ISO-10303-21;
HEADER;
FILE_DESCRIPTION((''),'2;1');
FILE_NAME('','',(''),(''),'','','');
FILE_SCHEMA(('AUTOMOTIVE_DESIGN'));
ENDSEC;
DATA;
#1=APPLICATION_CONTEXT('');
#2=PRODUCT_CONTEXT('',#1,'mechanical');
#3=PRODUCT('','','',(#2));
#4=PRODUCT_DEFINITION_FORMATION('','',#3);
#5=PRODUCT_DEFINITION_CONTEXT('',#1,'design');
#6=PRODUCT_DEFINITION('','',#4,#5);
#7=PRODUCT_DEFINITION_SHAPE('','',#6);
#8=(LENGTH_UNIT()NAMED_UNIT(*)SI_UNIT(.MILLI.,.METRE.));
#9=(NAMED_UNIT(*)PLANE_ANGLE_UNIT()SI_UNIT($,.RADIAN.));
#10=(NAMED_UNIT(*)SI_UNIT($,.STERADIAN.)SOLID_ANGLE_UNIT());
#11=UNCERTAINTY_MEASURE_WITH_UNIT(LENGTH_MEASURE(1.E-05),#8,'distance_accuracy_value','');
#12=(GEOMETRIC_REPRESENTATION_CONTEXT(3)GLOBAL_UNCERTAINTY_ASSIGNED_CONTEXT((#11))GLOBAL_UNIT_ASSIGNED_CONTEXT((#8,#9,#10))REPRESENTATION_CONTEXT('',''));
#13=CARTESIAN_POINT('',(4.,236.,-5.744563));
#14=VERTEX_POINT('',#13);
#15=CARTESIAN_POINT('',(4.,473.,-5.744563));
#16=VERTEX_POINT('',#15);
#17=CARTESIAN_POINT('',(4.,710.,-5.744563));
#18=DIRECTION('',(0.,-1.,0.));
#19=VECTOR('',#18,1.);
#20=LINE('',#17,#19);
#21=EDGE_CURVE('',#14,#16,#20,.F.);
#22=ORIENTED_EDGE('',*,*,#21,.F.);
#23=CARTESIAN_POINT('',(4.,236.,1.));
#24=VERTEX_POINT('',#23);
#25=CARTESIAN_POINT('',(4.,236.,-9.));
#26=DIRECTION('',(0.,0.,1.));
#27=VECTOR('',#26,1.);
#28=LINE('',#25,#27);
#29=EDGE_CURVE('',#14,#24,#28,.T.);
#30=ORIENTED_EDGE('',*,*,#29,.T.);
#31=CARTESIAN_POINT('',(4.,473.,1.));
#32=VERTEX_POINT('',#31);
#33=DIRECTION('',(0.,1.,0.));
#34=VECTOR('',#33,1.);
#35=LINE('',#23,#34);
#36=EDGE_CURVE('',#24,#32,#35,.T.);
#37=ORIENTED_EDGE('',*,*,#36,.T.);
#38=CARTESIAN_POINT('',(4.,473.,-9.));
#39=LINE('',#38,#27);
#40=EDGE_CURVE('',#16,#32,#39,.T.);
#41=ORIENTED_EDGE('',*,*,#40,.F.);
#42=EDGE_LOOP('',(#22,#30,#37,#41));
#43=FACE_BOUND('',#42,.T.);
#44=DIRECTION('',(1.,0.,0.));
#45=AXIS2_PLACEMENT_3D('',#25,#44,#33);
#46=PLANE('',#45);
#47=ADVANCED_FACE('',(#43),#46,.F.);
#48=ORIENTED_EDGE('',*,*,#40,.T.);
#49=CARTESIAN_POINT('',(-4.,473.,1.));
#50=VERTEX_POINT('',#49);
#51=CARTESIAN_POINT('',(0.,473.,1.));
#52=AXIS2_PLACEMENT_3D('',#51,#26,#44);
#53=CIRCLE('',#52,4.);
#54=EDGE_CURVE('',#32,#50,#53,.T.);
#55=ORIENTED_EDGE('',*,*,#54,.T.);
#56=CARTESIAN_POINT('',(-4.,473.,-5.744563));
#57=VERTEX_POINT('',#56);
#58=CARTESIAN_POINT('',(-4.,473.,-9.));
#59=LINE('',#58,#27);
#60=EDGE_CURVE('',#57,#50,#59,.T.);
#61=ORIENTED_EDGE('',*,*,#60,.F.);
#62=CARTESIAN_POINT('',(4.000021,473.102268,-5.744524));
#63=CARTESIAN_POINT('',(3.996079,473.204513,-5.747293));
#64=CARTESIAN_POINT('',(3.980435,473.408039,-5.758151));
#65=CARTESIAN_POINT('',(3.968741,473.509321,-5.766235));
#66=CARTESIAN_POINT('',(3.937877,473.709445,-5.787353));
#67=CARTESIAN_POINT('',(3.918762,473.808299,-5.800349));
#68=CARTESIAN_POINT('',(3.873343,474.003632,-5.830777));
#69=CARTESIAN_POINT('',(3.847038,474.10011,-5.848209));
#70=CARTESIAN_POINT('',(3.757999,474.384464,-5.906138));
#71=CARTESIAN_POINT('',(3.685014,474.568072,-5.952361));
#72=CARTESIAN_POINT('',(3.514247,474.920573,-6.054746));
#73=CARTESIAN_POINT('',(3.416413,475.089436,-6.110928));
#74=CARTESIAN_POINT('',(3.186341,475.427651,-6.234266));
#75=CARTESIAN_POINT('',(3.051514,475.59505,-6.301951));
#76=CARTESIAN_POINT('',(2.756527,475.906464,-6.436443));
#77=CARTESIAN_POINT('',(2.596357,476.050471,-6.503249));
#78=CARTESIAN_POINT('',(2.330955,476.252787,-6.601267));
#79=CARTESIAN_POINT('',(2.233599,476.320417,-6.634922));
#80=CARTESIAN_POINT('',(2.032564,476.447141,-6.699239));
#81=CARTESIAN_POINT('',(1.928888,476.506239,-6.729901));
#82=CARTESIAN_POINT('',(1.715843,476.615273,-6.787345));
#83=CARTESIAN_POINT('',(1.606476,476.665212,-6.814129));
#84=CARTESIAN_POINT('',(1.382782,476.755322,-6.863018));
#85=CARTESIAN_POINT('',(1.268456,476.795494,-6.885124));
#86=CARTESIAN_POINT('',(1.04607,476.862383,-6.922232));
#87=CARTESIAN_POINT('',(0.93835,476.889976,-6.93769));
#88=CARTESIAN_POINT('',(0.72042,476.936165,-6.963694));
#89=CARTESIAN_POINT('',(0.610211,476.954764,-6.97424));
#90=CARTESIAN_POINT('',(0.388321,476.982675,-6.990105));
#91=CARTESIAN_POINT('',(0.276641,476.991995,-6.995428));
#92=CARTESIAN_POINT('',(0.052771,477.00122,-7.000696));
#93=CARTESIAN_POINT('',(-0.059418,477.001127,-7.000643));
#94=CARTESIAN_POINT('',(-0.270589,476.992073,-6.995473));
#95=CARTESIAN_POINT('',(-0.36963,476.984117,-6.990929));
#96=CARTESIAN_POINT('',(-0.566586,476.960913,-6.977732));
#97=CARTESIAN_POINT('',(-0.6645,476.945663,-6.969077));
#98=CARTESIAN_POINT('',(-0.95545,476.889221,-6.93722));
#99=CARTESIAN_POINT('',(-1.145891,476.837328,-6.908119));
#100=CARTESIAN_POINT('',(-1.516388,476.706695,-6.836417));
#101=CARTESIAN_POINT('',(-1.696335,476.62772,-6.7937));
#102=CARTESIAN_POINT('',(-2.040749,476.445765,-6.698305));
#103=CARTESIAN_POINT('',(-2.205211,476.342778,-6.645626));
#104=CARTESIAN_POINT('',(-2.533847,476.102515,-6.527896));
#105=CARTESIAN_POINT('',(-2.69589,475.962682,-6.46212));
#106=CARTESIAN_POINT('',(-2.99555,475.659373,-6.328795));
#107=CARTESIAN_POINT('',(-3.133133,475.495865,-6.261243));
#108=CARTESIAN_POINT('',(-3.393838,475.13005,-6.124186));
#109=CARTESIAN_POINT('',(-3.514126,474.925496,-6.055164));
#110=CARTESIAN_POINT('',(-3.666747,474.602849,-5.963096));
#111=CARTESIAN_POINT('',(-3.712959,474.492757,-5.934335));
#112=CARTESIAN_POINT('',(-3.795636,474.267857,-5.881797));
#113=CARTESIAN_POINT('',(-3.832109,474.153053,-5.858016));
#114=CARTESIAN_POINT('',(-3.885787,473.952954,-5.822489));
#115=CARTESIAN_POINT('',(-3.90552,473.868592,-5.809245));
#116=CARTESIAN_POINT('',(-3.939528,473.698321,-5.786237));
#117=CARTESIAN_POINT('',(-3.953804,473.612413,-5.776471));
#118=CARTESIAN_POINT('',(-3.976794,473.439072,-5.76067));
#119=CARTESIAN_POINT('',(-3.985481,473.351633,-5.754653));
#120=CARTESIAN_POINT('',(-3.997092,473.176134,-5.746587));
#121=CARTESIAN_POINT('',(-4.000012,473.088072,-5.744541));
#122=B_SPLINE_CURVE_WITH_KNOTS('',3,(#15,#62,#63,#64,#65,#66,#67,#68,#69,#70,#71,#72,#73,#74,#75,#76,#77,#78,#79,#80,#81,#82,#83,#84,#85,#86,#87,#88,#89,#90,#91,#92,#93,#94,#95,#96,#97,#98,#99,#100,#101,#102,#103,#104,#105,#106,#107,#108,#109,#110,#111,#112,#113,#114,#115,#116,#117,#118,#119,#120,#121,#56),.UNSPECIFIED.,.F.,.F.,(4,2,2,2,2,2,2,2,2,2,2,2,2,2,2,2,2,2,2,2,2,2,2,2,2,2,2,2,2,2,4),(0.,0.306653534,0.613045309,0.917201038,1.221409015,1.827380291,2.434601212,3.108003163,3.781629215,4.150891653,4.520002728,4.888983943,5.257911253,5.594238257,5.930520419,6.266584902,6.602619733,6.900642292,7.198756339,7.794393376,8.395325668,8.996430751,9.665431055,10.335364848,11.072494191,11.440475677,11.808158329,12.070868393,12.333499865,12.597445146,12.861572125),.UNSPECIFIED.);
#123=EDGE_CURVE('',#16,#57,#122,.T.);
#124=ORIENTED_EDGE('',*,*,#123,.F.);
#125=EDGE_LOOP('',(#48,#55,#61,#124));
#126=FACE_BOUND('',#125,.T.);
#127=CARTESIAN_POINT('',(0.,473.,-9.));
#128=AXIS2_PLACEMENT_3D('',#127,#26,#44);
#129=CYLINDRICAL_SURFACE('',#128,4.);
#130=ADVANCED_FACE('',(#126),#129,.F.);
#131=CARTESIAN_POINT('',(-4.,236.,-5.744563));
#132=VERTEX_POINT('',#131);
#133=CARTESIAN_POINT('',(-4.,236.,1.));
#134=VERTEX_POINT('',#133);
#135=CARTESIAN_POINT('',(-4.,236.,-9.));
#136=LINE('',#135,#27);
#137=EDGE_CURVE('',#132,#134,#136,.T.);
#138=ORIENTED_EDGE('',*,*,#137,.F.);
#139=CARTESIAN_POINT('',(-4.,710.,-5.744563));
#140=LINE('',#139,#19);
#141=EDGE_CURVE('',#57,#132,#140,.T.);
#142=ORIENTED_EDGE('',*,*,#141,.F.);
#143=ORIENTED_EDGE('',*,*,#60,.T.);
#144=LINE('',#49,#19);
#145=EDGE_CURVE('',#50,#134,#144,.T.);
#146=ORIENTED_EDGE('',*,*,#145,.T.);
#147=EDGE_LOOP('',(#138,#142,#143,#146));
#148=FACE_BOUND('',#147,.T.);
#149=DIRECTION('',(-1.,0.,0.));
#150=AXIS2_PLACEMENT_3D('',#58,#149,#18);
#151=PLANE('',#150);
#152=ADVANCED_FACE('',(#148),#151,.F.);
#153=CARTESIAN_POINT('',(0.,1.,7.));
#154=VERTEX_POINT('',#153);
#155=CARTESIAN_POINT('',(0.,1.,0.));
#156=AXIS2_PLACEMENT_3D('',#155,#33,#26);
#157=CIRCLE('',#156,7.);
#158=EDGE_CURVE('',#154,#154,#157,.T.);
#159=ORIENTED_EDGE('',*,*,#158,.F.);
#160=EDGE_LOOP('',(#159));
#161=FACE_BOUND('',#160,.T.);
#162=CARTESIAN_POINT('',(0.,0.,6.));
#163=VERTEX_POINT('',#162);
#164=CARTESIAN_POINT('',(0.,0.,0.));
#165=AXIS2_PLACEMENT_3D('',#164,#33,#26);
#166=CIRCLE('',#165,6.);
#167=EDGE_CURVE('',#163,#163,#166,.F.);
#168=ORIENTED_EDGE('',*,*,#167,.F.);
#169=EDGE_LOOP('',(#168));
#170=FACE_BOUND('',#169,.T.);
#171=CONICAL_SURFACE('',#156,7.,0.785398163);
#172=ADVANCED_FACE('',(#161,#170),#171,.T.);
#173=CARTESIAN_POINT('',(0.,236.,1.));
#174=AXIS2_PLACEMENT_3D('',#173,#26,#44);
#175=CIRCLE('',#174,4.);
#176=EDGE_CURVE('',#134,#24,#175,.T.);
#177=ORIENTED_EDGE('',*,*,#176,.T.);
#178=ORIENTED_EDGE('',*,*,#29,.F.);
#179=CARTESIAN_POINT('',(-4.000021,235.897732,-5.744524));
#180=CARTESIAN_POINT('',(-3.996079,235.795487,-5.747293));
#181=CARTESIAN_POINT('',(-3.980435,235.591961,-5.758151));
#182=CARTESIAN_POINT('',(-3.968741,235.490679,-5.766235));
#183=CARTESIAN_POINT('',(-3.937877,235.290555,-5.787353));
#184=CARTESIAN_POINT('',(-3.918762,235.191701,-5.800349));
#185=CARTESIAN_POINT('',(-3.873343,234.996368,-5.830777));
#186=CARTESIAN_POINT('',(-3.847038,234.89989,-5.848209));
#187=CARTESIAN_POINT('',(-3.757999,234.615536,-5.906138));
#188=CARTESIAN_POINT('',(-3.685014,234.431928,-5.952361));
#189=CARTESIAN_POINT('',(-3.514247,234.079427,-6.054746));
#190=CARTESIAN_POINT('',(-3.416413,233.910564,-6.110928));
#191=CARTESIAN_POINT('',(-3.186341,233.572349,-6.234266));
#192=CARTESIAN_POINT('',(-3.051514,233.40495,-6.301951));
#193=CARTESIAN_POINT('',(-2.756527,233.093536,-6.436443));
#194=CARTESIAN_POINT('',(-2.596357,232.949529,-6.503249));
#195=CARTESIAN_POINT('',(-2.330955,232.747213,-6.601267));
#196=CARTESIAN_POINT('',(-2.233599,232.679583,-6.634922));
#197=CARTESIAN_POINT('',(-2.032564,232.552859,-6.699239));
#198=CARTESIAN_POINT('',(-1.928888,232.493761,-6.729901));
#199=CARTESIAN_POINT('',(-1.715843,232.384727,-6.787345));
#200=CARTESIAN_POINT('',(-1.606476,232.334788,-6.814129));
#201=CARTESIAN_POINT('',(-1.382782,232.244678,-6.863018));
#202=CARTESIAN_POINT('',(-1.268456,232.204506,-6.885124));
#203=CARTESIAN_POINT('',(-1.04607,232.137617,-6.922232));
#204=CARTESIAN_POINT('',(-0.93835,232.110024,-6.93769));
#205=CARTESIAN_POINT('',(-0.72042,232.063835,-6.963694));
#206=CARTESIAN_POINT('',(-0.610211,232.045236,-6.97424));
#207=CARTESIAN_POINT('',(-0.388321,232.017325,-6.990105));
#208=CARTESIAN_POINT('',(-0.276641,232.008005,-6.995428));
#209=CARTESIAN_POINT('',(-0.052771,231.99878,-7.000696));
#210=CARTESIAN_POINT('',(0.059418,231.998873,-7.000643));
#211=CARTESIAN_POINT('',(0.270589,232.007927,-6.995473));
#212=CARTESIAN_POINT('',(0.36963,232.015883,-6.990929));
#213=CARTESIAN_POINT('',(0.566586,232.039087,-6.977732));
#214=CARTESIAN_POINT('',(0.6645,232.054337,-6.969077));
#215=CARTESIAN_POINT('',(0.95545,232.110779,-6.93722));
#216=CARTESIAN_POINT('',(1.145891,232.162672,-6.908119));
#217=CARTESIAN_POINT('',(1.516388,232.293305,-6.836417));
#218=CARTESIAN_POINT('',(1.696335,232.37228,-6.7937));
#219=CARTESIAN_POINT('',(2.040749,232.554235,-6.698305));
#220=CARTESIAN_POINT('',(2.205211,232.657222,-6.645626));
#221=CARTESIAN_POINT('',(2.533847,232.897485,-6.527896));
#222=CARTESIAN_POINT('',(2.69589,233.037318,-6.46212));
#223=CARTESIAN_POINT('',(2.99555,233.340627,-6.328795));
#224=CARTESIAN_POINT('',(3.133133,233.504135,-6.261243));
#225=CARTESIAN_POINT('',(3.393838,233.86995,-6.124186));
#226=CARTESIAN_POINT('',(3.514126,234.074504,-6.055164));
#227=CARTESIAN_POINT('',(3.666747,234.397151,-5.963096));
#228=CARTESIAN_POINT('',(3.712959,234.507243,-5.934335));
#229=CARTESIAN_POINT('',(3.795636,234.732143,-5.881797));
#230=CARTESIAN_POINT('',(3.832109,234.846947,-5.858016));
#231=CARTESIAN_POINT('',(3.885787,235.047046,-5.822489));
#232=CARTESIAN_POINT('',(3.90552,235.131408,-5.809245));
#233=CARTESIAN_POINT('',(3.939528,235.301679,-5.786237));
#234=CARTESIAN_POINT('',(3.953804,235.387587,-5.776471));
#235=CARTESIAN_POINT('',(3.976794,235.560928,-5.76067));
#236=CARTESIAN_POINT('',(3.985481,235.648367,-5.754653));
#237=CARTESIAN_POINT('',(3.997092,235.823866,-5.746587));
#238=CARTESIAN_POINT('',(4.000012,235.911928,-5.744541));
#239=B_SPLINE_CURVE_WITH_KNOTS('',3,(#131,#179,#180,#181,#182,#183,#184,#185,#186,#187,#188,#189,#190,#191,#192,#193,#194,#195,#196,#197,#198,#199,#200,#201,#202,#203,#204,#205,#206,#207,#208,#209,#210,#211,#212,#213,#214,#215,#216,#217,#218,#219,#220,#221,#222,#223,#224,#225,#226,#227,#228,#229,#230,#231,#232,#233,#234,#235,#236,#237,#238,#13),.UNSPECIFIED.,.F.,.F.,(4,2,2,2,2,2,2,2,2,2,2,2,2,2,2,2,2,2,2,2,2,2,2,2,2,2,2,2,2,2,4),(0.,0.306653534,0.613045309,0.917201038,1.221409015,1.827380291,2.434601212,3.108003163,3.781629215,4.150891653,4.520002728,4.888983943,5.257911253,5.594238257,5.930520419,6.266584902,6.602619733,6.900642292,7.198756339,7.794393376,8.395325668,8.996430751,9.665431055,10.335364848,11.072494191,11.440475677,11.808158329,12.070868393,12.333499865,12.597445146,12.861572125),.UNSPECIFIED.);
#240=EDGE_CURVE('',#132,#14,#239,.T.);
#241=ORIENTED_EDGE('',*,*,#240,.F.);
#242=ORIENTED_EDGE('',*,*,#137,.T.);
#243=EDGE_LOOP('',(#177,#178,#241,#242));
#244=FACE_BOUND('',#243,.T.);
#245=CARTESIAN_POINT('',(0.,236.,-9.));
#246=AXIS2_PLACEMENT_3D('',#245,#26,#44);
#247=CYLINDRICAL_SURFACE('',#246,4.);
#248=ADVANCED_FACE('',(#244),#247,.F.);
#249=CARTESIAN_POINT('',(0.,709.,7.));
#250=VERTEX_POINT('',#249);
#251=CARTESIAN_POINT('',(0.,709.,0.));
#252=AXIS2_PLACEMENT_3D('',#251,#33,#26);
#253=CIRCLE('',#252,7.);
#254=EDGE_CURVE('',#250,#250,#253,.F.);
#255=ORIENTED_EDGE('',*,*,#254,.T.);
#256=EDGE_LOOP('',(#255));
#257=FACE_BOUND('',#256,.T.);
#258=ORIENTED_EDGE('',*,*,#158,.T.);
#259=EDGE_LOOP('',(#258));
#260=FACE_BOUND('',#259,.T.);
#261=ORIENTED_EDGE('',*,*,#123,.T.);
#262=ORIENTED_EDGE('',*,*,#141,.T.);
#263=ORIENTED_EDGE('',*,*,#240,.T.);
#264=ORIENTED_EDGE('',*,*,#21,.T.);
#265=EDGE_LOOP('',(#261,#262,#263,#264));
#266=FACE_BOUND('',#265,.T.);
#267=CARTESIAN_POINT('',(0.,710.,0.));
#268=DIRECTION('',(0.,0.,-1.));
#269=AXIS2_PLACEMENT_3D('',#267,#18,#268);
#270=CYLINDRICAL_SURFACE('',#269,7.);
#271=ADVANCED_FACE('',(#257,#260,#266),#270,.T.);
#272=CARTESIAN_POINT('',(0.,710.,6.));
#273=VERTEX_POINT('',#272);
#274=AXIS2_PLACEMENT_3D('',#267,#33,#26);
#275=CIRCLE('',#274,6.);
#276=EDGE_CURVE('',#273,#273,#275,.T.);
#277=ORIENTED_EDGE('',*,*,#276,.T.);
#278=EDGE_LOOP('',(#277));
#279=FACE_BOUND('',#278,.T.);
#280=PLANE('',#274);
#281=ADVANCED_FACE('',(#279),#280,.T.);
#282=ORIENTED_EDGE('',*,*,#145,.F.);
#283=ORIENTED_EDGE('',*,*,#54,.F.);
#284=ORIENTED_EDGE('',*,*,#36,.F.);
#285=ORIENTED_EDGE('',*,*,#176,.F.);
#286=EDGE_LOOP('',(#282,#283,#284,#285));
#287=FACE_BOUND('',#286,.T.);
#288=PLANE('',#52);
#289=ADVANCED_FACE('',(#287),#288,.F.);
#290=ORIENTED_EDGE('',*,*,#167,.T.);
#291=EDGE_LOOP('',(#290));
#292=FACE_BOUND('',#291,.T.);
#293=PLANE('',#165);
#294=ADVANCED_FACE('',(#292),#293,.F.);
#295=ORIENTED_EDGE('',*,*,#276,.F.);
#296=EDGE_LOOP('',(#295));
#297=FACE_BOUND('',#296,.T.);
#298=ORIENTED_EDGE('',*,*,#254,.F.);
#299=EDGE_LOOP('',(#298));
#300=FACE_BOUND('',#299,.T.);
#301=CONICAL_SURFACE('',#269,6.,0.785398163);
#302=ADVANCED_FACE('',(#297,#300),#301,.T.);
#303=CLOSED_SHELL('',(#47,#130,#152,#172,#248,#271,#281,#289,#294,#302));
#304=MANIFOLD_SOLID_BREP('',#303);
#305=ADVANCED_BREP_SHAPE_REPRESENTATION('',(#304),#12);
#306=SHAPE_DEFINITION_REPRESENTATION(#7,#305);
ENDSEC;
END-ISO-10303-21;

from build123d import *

# Parameters (mm, degrees)
ESQUISSE1_R             = 7
BOSS_EXTRU_1_DEPTH      = 710
CHANFREIN1_SIZE         = 1
ENL_V_START             = 1
ENL_V_MAT_EXTRU_1_DEPTH = 10


with BuildPart() as part:
    # Esquisse1 → Boss.-Extru.1 (new body)
    with BuildSketch(Plane(origin=(0, 0, 0), x_dir=(1, 0, 0), z_dir=(0, 1, 0))):
        with Locations(Location((0, 0, 0), (0, 0, 270))):  # turned: the seam where the file's is
            Circle(ESQUISSE1_R)
    extrude(amount=BOSS_EXTRU_1_DEPTH)

    # Chanfrein1
    chanfrein1_edges = [part.edges().sort_by_distance(p)[0] for p in [
        (0, 0, -7),
        (0, 710, -7),
    ]]
    chamfer(chanfrein1_edges, length=CHANFREIN1_SIZE)

    # Esquisse2 → Enlèv. mat.-Extru.1 (cut)
    with BuildSketch(Plane.XY.offset(ENL_V_START)):
        with BuildLine():
            Line((-4, 473), (-4, 236))
            ThreePointArc((-4, 236), (0, 232), (4, 236))
            Line((4, 236), (4, 473))
            ThreePointArc((4, 473), (0, 477), (-4, 473))
        make_face()
    extrude(amount=-ENL_V_MAT_EXTRU_1_DEPTH, mode=Mode.SUBTRACT)


solid = part.part
